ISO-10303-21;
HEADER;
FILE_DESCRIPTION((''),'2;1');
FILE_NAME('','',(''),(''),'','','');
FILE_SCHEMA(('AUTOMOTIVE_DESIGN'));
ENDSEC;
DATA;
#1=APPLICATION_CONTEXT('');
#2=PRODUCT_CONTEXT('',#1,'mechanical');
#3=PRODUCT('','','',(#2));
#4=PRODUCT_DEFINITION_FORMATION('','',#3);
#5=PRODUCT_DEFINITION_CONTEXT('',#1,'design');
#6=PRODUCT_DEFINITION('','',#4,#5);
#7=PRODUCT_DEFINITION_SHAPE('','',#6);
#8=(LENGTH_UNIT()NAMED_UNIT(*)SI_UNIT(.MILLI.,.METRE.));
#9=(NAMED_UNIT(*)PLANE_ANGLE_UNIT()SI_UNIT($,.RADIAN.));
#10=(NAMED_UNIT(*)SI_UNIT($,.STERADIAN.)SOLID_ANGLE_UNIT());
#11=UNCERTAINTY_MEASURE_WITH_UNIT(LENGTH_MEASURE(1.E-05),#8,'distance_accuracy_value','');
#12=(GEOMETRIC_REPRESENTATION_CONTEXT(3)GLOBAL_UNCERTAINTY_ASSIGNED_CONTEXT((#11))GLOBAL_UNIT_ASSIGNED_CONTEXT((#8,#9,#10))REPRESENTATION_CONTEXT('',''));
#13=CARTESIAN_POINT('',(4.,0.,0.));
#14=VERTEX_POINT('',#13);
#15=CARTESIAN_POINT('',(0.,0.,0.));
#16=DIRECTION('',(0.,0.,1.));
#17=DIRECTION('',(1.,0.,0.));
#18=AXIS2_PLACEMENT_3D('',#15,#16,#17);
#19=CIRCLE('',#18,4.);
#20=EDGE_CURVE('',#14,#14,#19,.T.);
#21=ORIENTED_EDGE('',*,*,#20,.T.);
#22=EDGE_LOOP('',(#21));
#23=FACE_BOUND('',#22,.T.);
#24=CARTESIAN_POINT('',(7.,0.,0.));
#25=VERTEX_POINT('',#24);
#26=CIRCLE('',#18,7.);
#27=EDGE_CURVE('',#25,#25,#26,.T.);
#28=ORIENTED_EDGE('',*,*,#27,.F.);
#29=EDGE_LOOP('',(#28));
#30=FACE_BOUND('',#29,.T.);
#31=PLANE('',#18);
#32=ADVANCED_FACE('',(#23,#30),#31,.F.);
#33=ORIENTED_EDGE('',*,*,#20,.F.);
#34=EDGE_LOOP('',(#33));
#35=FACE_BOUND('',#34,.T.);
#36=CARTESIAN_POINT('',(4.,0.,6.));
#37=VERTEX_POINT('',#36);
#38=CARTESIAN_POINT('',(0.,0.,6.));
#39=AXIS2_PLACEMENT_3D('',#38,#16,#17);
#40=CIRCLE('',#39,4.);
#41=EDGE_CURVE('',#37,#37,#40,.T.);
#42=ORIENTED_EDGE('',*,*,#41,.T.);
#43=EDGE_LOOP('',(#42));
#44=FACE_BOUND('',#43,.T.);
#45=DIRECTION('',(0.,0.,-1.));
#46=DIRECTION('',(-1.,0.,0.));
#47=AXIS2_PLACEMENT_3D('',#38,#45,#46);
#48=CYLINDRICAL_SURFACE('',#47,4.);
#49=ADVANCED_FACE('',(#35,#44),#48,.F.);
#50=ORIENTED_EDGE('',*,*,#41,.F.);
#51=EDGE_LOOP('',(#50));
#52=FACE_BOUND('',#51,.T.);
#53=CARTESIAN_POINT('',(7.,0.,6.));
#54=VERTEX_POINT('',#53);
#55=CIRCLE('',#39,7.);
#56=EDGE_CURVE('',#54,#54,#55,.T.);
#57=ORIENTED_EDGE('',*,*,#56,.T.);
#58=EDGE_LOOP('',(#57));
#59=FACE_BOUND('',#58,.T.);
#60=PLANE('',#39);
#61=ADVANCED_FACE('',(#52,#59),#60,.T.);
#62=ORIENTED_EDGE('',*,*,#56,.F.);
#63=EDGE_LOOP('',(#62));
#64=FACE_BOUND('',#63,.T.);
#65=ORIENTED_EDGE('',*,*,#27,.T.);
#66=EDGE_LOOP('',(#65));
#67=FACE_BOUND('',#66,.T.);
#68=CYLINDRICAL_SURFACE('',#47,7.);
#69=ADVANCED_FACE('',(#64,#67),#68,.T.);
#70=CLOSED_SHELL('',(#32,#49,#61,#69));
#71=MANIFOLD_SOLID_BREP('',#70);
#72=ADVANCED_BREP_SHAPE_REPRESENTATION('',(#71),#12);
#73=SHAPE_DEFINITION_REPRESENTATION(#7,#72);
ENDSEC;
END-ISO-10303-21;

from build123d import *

# Parameters (mm, degrees)
SCHIZZO1_R                   = 7
SCHIZZO1_R_2                 = 4
ESTRUSIONE_ESTRUSIONE1_DEPTH = 6


with BuildPart() as part:
    # Schizzo1 → Estrusione-Estrusione1 (new body)
    with BuildSketch(Plane.XY):
        Circle(SCHIZZO1_R)
        Circle(SCHIZZO1_R_2, mode=Mode.SUBTRACT)
    extrude(amount=ESTRUSIONE_ESTRUSIONE1_DEPTH)


solid = part.part
